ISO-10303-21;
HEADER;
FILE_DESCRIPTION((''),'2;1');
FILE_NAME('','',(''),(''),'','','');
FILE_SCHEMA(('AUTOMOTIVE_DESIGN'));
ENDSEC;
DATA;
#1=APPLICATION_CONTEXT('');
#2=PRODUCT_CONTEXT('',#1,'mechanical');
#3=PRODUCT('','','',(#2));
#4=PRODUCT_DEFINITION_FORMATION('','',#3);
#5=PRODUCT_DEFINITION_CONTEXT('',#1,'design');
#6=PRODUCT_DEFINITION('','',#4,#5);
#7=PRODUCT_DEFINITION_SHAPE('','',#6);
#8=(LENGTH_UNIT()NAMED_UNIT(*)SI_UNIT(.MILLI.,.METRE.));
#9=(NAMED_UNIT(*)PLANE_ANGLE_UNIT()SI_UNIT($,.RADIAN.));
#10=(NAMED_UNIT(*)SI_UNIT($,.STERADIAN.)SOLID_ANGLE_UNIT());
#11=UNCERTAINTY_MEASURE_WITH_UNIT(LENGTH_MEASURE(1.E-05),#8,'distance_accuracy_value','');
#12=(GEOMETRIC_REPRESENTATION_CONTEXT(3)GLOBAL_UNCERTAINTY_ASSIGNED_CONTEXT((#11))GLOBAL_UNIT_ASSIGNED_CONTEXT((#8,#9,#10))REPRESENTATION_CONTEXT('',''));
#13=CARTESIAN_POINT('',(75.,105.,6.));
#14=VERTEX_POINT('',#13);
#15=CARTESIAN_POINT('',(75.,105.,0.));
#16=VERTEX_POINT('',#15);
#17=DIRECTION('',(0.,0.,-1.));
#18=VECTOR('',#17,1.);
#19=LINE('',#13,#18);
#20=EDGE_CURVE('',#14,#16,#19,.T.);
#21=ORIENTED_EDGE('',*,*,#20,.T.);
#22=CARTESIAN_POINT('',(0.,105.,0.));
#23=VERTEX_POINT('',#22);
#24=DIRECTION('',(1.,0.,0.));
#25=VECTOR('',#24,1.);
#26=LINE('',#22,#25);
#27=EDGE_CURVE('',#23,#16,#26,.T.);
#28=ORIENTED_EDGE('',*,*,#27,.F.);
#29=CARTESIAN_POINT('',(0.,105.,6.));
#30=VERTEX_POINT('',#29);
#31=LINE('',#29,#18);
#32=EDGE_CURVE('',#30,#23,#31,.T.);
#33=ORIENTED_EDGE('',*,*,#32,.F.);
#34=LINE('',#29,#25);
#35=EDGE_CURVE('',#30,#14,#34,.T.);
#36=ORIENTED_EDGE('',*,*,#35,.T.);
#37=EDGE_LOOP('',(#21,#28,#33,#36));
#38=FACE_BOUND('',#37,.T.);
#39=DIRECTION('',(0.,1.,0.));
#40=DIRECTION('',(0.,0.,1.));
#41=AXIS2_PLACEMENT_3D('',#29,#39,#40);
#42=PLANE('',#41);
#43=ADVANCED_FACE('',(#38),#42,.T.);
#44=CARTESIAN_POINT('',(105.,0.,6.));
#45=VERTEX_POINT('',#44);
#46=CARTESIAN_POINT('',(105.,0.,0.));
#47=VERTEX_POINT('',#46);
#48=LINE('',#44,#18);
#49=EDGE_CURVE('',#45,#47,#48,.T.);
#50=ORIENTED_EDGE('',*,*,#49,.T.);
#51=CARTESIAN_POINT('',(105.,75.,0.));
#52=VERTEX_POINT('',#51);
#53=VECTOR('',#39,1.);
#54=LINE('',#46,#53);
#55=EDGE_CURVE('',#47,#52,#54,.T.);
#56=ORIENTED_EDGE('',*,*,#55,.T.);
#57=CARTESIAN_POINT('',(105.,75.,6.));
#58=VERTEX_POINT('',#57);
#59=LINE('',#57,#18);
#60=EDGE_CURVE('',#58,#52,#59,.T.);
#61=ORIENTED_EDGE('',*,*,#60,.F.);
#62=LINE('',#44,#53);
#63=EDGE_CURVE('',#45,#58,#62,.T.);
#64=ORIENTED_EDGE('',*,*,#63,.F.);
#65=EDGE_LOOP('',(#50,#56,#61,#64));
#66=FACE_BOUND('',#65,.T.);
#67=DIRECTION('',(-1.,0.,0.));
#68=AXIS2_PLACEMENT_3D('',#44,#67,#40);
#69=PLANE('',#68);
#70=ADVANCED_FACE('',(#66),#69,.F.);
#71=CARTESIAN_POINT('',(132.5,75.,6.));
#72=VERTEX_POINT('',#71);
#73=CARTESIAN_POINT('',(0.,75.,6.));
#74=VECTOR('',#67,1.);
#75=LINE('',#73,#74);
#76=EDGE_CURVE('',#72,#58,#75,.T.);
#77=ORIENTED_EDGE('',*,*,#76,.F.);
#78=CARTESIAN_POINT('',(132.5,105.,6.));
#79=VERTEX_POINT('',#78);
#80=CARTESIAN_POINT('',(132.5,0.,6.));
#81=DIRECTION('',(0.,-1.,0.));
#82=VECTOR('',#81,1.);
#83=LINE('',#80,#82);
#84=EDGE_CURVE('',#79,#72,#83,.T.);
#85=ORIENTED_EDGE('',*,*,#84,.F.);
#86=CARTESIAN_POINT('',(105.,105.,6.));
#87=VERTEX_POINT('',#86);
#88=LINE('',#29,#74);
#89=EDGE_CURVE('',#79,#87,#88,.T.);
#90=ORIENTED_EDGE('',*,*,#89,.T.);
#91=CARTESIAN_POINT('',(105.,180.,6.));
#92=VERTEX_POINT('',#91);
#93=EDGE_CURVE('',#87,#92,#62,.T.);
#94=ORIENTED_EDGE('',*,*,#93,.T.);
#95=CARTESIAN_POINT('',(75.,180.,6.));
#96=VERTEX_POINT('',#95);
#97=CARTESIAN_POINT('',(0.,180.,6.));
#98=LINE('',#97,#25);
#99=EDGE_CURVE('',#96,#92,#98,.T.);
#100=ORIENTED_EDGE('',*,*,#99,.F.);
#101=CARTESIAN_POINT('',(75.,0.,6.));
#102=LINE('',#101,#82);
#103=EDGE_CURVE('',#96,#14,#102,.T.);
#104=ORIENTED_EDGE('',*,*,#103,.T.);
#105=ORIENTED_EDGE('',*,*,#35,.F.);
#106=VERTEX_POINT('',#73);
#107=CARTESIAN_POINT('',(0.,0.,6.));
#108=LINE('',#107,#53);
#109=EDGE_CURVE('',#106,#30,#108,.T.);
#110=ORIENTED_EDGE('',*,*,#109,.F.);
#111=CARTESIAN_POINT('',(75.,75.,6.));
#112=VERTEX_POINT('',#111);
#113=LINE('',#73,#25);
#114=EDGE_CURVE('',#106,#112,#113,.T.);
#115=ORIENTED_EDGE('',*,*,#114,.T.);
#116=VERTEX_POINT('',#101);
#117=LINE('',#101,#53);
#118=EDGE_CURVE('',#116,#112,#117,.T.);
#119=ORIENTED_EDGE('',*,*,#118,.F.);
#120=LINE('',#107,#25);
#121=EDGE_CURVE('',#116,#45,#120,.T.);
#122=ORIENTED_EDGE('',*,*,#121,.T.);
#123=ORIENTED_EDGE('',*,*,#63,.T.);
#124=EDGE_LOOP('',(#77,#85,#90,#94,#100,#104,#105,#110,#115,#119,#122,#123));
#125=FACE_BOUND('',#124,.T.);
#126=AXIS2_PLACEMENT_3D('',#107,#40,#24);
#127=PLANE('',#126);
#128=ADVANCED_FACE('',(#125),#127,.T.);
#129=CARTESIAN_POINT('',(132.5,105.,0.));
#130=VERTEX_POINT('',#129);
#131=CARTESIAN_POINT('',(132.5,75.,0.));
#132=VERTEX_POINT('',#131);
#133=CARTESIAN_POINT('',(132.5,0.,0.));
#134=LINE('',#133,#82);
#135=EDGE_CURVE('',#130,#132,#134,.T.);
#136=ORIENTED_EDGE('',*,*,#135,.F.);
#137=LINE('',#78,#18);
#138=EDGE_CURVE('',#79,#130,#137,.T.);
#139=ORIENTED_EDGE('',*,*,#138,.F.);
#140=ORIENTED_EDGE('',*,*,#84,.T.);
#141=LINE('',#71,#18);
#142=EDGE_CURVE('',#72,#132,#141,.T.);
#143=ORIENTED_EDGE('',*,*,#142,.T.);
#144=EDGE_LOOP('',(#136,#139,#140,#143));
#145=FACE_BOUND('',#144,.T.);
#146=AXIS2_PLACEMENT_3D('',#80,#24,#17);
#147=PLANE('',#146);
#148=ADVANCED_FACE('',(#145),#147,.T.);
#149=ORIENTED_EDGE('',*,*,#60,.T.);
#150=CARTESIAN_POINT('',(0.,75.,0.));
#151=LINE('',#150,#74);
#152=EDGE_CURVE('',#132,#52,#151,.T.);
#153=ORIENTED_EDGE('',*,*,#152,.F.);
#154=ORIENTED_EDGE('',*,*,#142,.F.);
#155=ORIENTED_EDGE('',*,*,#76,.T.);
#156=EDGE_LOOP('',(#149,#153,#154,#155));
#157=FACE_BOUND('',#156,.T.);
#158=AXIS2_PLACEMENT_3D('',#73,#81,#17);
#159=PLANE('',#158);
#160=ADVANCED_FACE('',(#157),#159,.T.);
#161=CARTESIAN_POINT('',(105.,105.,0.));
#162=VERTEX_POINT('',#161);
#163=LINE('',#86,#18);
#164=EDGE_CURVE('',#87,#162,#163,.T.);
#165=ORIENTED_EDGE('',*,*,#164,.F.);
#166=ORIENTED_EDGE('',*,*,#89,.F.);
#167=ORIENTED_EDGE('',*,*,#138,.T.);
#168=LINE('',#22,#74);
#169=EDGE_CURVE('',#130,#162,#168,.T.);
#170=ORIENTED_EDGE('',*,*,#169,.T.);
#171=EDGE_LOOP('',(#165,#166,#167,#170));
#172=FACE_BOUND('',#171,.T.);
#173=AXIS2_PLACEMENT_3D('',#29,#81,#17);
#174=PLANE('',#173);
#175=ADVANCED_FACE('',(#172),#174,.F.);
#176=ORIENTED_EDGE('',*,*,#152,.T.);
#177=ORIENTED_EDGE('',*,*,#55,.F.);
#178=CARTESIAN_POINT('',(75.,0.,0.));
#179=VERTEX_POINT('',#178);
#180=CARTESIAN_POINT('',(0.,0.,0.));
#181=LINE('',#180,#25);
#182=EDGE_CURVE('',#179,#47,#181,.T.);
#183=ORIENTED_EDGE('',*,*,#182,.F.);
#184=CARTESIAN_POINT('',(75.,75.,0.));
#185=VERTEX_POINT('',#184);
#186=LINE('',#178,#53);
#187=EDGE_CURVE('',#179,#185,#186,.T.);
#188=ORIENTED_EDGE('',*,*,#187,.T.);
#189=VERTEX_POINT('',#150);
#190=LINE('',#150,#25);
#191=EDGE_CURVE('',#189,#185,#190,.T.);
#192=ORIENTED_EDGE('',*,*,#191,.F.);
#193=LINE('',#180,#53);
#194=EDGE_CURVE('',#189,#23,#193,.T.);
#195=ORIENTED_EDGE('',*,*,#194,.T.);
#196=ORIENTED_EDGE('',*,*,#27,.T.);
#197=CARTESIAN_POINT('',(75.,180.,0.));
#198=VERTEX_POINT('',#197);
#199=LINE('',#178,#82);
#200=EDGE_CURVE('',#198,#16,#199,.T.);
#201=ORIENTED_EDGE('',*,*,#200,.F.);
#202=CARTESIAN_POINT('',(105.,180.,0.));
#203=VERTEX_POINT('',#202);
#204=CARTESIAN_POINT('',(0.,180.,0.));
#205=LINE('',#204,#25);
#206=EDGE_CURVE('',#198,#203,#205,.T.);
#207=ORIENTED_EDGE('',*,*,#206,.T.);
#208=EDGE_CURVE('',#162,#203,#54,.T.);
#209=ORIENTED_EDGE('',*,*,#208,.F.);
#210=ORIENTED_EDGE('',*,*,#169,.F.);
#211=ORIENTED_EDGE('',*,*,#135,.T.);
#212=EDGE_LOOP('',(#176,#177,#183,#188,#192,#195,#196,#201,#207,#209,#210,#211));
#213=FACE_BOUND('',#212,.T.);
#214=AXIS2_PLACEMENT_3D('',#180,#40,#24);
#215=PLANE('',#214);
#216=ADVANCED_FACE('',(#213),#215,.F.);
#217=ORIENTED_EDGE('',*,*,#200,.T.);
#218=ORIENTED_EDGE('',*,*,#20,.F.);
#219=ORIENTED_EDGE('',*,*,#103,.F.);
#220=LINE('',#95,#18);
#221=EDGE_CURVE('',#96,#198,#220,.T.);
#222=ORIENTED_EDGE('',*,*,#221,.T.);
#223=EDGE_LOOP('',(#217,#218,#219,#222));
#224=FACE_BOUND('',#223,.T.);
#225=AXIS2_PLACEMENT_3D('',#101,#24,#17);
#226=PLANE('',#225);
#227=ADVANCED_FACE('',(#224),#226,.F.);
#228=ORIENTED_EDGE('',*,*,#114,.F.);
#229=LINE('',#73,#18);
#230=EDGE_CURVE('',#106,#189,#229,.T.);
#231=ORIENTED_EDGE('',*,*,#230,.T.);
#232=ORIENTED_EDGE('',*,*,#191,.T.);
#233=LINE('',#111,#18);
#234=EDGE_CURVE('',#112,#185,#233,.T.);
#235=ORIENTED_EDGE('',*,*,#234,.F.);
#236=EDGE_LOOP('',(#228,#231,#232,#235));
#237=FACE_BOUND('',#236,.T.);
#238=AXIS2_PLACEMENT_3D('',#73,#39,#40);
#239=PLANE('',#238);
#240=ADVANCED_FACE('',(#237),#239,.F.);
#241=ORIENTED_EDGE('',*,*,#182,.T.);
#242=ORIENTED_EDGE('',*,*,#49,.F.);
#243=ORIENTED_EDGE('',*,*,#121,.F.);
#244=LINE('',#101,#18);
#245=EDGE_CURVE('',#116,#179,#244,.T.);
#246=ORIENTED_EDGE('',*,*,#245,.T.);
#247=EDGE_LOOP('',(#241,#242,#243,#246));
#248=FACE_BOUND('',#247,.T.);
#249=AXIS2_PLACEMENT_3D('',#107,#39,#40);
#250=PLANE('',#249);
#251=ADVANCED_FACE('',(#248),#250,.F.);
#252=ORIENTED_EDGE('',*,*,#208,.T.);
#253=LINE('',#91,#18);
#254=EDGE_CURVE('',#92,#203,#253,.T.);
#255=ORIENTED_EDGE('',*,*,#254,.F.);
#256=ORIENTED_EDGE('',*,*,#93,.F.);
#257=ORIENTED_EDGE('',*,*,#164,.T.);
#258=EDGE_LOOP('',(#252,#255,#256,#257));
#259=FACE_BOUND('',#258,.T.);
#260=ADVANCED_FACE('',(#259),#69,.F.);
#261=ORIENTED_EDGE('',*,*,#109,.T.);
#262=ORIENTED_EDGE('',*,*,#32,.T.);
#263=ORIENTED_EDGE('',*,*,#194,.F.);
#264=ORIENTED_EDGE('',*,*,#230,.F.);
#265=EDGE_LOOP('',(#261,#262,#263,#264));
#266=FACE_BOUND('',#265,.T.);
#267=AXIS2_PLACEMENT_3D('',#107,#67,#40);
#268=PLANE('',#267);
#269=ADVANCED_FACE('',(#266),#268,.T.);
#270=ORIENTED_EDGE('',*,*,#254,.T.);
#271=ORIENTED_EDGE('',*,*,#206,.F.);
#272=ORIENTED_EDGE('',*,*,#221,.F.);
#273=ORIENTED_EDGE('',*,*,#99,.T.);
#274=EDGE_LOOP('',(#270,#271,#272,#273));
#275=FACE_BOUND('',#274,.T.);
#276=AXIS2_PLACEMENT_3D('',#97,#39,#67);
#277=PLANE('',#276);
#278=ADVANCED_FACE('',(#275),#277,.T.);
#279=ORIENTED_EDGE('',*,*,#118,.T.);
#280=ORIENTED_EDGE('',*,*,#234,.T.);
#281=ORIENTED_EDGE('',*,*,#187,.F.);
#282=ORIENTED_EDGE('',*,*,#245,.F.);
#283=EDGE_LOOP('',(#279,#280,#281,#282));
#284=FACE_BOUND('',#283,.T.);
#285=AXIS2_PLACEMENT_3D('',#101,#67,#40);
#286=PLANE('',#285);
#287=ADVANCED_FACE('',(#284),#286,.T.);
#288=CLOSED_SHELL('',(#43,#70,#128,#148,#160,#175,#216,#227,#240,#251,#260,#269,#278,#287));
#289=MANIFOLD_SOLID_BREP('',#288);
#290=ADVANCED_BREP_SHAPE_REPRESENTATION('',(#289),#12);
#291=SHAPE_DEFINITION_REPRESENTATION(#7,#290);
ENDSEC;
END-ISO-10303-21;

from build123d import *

# Parameters (mm, degrees)
ESBO_O1_W                = 27.5
ESBO_O1_H                = 30
RESSALTO_EXTRUS_O1_DEPTH = 6


with BuildPart() as part:
    # Esboço1 → Ressalto-extrusão1 (new body)
    with BuildSketch(Plane.XY):
        Polygon((75, 75), (75, 0), (105, 0), (105, 75), (105, 105), (105, 180), (90, 180), (75, 180), (75, 105), (0, 105), (0, 75), align=None)
        with Locations((118.75, 90)):
            Rectangle(ESBO_O1_W, ESBO_O1_H)
    extrude(amount=RESSALTO_EXTRUS_O1_DEPTH)


solid = part.part
